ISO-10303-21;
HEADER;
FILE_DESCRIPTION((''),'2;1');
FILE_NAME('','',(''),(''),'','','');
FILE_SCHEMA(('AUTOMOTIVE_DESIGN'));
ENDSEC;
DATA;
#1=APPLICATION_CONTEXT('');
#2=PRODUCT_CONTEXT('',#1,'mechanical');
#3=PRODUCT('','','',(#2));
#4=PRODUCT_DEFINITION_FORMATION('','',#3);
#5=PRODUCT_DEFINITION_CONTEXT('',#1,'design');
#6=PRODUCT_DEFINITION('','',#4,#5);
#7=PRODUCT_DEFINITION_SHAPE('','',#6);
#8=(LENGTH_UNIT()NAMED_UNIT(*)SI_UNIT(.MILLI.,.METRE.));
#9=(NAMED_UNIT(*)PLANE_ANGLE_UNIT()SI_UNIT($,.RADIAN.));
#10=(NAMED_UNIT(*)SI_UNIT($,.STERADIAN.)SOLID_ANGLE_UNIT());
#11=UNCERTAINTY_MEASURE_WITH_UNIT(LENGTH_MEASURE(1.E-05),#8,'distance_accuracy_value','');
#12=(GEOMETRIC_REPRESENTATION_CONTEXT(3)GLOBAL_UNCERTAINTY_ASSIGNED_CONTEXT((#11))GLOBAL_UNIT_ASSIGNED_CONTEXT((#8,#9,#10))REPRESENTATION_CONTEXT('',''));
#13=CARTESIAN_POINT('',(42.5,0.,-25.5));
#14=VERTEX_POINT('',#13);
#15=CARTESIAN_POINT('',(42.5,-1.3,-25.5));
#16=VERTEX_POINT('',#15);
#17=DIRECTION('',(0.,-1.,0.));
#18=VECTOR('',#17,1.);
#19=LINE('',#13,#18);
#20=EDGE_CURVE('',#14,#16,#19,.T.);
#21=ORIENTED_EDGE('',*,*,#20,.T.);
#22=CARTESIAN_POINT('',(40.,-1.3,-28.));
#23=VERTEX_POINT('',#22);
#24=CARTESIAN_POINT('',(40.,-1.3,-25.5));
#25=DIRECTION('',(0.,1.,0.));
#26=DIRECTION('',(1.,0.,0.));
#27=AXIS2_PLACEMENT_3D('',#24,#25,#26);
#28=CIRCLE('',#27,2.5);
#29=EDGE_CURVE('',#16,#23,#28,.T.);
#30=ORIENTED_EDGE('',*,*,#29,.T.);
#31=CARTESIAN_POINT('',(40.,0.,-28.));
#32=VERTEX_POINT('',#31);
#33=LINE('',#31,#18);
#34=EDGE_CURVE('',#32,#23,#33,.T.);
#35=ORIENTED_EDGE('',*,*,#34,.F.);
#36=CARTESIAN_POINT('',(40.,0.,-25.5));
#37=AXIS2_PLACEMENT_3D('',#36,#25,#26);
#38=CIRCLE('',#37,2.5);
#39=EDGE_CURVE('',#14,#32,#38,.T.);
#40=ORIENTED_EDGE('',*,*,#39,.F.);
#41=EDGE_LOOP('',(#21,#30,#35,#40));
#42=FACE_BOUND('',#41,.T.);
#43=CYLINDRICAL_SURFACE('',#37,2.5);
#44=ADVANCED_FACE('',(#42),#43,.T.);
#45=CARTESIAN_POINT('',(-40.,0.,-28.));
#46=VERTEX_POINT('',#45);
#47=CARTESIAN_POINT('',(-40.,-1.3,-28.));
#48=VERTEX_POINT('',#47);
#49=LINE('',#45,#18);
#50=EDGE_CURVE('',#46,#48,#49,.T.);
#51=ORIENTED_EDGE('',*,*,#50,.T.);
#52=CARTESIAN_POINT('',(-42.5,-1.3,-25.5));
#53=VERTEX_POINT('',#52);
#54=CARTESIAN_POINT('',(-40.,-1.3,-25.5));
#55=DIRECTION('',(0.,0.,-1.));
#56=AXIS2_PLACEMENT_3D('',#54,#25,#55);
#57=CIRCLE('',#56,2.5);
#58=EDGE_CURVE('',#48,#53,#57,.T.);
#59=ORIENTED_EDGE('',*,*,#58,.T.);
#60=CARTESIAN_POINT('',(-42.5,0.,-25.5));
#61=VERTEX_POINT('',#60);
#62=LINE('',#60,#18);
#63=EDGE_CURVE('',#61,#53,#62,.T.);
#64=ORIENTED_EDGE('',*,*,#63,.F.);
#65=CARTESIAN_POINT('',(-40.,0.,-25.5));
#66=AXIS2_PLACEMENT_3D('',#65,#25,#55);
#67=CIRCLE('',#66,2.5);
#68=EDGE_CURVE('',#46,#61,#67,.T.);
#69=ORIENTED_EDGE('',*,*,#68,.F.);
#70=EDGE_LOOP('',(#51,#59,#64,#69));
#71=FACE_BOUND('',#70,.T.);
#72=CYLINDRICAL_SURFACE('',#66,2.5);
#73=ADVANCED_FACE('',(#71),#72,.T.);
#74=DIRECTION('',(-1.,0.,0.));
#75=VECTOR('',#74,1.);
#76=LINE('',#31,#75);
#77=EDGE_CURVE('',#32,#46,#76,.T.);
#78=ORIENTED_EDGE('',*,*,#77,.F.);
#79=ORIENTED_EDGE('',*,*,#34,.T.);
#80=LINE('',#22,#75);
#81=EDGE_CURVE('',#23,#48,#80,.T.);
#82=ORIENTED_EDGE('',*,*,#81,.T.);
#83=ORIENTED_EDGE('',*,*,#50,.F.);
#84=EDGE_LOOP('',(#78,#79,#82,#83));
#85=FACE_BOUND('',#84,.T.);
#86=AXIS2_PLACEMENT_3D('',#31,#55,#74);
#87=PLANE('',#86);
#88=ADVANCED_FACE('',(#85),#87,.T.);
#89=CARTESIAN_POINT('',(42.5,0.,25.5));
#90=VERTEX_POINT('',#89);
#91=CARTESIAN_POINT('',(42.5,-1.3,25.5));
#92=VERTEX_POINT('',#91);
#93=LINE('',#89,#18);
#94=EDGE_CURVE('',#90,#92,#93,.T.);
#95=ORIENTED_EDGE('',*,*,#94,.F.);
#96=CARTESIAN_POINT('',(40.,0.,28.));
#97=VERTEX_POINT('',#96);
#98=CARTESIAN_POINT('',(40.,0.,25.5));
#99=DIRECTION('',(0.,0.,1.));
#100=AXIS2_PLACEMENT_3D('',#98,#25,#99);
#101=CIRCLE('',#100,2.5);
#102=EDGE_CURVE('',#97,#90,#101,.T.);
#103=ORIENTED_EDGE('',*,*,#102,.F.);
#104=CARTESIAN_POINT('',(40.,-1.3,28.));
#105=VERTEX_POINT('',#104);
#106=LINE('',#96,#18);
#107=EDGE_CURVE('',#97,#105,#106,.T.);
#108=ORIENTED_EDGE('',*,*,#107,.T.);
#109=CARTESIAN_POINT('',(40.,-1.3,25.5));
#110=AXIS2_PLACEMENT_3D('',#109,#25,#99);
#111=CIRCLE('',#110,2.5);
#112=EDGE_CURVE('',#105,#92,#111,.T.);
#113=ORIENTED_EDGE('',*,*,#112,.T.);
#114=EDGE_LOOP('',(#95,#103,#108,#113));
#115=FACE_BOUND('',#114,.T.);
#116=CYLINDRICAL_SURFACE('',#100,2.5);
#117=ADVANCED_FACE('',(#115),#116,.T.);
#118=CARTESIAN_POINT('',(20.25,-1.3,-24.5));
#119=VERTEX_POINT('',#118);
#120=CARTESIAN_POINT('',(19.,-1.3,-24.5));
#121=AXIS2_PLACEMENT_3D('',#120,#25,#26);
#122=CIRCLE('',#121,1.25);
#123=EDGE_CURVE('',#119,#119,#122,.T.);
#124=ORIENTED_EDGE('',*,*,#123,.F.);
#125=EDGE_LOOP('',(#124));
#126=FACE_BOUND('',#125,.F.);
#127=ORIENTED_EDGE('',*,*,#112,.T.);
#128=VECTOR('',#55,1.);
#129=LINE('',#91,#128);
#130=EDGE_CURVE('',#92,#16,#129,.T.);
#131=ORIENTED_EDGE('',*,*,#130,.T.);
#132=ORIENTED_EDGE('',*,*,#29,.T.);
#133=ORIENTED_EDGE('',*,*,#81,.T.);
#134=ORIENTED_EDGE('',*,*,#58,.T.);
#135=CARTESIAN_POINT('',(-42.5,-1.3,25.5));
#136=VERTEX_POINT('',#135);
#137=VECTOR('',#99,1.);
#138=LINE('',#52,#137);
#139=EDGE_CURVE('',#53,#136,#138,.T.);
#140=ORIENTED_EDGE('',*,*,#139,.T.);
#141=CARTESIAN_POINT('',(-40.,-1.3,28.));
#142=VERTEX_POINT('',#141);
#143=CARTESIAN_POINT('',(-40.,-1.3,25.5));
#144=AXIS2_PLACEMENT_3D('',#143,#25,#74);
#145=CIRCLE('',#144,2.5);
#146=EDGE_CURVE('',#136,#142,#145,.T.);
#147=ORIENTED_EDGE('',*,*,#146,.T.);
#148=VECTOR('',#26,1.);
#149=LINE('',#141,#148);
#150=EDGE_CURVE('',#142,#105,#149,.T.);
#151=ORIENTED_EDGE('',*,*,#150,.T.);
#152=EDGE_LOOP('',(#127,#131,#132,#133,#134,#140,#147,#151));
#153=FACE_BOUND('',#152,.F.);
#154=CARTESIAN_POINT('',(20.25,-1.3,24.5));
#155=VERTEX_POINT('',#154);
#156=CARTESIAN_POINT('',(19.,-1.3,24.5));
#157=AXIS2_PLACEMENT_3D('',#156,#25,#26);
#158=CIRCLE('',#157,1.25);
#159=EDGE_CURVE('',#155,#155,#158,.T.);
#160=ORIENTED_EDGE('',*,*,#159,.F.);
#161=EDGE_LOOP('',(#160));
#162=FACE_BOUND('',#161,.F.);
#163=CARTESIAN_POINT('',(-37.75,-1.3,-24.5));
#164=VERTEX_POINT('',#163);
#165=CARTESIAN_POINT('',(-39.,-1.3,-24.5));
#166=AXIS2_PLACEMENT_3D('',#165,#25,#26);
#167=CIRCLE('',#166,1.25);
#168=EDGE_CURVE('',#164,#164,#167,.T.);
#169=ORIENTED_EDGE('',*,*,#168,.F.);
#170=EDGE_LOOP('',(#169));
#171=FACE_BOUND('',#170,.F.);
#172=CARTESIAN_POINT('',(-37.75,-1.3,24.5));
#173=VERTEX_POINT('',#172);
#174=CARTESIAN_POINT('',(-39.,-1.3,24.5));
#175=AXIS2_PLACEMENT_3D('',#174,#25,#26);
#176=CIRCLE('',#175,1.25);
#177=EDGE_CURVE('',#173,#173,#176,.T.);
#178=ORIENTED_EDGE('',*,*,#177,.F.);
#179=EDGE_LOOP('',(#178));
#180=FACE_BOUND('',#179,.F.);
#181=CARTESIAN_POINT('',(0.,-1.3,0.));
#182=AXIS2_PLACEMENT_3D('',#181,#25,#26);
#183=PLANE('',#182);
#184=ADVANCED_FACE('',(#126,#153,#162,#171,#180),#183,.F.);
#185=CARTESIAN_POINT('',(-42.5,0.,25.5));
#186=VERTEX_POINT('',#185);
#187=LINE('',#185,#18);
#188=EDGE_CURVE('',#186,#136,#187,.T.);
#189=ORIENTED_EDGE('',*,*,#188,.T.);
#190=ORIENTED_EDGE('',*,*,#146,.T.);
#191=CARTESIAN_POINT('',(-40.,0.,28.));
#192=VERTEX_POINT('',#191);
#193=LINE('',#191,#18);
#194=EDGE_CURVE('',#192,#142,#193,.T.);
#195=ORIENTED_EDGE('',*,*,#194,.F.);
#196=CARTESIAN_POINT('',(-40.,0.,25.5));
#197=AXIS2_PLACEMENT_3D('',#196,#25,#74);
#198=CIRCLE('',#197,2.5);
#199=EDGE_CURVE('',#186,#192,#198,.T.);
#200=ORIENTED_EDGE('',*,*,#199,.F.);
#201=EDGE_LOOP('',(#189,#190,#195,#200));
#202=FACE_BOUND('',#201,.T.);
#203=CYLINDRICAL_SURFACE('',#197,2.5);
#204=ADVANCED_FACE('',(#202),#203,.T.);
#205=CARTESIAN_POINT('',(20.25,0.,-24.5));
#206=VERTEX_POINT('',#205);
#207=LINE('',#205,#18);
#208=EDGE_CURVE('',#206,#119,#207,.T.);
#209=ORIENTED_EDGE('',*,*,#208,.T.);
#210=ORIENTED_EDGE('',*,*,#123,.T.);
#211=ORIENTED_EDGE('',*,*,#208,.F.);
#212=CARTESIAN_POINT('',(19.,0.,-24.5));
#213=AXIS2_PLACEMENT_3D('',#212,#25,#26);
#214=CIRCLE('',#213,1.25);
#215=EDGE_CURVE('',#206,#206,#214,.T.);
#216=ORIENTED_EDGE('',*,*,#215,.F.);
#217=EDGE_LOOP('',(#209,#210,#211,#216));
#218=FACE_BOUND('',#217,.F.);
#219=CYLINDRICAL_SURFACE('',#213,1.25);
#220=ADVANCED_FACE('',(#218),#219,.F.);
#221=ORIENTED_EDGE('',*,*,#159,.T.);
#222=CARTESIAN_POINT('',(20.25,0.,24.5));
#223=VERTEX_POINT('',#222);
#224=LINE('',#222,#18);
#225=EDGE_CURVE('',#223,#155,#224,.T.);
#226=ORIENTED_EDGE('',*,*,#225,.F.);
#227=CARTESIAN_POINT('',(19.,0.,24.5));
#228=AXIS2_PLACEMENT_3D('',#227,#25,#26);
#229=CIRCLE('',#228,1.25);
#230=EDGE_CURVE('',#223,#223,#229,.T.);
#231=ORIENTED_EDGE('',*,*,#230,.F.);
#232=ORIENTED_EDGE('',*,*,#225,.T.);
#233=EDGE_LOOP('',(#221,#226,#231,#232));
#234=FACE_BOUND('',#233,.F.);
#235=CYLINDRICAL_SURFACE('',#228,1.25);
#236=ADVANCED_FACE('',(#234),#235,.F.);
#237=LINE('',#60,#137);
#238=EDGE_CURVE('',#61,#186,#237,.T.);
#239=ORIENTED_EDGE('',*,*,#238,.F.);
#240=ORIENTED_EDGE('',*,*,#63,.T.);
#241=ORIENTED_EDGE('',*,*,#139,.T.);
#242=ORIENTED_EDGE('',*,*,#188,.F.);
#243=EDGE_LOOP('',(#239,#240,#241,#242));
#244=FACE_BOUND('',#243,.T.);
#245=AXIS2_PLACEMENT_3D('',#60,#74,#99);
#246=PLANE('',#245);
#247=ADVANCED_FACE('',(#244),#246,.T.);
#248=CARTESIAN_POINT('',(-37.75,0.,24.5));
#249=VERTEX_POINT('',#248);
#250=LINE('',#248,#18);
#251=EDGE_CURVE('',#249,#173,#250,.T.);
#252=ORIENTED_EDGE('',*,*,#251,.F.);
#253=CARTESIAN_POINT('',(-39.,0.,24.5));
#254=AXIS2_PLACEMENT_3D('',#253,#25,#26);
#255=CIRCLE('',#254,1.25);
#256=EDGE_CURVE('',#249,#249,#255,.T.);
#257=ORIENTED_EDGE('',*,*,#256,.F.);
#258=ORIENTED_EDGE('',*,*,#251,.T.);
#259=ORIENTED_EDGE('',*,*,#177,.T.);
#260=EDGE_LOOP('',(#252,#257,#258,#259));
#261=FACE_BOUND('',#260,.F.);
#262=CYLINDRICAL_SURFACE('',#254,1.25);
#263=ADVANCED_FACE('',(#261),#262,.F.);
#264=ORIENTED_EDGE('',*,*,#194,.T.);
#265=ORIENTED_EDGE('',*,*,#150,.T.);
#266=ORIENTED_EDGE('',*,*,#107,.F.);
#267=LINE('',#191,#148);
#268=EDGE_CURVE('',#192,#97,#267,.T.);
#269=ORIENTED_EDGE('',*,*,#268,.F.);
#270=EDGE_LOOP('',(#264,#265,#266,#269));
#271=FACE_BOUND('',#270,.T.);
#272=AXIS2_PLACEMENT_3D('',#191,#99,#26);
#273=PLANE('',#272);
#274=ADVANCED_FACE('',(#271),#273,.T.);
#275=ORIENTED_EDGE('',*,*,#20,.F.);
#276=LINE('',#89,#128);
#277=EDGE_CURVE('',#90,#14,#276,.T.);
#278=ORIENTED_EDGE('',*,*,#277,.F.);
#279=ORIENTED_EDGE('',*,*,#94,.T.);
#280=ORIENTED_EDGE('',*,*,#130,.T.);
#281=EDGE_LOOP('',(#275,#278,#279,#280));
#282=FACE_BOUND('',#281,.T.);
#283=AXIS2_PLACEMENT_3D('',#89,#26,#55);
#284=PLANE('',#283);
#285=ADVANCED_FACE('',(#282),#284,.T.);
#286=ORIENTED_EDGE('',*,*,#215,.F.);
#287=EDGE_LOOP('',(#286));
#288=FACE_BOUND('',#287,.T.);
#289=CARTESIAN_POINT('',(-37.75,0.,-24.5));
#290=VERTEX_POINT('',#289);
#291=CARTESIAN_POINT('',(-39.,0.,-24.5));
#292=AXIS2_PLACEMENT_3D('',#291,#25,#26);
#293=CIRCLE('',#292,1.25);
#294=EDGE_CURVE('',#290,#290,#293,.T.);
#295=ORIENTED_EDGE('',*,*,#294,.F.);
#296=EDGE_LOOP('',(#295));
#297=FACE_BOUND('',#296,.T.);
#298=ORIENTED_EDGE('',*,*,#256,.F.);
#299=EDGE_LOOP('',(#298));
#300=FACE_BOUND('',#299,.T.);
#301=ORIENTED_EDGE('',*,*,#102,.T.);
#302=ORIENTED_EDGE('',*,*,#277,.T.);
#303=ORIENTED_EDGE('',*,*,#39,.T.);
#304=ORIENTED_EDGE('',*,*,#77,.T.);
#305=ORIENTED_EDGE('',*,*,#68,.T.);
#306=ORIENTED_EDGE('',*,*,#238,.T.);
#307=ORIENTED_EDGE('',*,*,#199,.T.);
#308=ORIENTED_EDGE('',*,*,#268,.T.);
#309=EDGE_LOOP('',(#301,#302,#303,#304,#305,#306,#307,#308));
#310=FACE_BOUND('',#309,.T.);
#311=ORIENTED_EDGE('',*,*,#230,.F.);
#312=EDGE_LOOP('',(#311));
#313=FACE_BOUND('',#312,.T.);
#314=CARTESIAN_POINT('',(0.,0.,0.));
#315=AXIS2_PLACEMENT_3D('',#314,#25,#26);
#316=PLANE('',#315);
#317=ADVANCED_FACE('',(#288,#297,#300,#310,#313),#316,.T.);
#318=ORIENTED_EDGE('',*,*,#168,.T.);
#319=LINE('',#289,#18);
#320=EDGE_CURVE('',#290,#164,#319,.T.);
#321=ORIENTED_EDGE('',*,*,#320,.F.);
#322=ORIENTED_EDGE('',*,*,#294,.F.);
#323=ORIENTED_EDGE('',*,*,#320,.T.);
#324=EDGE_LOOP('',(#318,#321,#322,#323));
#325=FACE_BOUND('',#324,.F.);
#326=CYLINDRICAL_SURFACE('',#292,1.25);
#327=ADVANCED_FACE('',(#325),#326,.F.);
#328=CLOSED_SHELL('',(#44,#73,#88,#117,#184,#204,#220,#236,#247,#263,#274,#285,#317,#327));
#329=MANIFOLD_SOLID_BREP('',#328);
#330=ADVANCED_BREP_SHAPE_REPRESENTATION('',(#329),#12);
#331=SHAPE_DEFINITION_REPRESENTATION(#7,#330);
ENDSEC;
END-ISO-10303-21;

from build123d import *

# Parameters (mm, degrees)
SCHIZZO1_R                   = 1.25
ESTRUSIONE_ESTRUSIONE1_DEPTH = 1.3


with BuildPart() as part:
    # Schizzo1 → Estrusione-Estrusione1 (new body)
    with BuildSketch(Plane(origin=(0, 0, 0), x_dir=(1, 0, 0), z_dir=(0, 1, 0))):
        with BuildLine():
            Line((42.5, -25.5), (42.5, 25.5))
            ThreePointArc((42.5, 25.5), (41.767766953, 27.267766953), (40, 28))
            Line((40, 28), (-40, 28))
            ThreePointArc((-40, 28), (-41.767766953, 27.267766953), (-42.5, 25.5))
            Line((-42.5, 25.5), (-42.5, -25.5))
            ThreePointArc((-42.5, -25.5), (-41.767766953, -27.267766953), (-40, -28))
            Line((-40, -28), (40, -28))
            ThreePointArc((40, -28), (41.767766953, -27.267766953), (42.5, -25.5))
        make_face()
        with Locations((19, 24.5)):
            Circle(SCHIZZO1_R, mode=Mode.SUBTRACT)
        with Locations((-39, 24.5)):
            Circle(SCHIZZO1_R, mode=Mode.SUBTRACT)
        with Locations((-39, -24.5)):
            Circle(SCHIZZO1_R, mode=Mode.SUBTRACT)
        with Locations((19, -24.5)):
            Circle(SCHIZZO1_R, mode=Mode.SUBTRACT)
    extrude(amount=-ESTRUSIONE_ESTRUSIONE1_DEPTH)


solid = part.part
